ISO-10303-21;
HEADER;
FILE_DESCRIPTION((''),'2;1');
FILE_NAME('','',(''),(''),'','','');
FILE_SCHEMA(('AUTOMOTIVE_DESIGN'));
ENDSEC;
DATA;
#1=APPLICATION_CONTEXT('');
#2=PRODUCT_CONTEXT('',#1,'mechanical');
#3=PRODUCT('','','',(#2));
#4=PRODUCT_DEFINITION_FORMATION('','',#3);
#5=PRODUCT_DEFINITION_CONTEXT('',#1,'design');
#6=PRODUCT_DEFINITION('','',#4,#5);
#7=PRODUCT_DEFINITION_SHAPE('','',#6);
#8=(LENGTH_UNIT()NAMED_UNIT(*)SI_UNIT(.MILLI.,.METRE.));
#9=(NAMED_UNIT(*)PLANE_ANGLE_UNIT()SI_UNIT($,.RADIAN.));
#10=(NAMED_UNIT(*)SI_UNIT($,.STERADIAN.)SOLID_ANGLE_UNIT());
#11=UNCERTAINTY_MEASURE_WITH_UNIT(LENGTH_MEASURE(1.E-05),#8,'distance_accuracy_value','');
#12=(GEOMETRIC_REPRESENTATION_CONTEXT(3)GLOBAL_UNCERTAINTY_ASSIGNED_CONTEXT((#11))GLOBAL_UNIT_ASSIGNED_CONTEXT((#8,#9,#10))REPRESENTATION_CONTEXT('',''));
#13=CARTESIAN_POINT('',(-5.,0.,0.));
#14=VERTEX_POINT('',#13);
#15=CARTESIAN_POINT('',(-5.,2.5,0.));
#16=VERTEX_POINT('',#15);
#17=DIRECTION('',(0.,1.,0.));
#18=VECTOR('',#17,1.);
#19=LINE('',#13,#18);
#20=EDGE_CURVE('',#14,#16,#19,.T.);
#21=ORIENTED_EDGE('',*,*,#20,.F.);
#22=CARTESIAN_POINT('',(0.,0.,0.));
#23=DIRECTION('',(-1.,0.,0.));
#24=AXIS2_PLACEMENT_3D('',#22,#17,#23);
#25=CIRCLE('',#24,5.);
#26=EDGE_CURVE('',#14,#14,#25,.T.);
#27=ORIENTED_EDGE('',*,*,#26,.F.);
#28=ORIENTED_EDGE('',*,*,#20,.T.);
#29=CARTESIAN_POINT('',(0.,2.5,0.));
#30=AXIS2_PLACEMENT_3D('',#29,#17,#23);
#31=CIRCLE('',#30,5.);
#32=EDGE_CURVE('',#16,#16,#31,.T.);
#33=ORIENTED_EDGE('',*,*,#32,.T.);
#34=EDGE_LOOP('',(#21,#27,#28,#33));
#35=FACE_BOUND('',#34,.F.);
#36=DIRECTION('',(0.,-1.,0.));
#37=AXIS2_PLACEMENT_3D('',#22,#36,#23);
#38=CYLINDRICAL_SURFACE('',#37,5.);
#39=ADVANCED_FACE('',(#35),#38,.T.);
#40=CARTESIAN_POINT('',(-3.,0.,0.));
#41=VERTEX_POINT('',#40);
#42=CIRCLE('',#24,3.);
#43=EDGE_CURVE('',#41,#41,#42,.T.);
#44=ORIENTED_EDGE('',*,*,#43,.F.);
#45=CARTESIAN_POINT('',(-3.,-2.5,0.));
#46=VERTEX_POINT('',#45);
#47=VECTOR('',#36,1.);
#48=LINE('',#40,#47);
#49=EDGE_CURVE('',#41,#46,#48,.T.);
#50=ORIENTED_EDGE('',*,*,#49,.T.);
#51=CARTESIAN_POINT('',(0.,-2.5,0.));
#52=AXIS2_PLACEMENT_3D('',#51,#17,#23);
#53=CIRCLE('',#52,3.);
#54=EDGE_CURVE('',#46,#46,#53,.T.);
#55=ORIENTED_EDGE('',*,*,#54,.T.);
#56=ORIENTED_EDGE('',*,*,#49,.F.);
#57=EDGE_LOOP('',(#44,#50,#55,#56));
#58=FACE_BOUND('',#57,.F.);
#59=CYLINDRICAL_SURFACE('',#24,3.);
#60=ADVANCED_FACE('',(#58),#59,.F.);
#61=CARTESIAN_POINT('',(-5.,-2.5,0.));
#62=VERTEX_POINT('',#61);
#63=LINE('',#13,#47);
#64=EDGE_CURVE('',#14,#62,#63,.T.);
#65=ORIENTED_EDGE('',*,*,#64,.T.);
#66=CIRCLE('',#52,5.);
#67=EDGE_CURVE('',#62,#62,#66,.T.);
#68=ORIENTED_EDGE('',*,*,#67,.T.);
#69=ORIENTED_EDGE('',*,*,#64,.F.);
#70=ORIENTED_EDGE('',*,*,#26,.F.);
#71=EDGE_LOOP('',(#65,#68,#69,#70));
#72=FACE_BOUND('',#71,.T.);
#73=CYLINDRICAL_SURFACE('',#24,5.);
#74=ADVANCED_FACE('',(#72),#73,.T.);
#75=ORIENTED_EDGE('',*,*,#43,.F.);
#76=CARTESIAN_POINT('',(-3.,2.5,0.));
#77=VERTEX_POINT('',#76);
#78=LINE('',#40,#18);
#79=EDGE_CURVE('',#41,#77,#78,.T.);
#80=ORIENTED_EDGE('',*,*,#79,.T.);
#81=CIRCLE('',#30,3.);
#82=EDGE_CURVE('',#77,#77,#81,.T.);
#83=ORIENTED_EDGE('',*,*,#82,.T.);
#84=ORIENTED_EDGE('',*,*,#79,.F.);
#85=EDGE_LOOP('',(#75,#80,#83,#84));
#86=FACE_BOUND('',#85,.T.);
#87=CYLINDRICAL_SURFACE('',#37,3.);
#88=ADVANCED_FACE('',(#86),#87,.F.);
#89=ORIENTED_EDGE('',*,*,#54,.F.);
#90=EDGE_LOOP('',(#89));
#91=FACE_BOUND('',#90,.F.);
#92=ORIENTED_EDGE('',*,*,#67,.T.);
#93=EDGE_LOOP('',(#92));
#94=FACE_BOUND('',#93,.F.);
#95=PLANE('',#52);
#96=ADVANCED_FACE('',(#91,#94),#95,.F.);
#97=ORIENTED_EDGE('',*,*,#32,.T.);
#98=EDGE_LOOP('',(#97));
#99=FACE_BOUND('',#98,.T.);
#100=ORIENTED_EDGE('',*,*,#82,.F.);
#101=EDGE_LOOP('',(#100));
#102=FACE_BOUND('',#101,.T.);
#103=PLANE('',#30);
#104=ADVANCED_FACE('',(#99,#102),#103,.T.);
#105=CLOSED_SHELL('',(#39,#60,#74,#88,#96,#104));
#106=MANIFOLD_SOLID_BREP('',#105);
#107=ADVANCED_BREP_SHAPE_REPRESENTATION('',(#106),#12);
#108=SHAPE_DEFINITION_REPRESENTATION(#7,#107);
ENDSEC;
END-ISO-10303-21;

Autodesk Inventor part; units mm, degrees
ref_plane "YZ Plane" through (0, 0, 0) normal (1, 0, 0) x (0, 1, 0)
ref_plane "XZ Plane" through (0, 0, 0) normal (0, 1, 0) x (-1, 0, 0)
ref_plane "XY Plane" through (0, 0, 0) normal (0, 0, 1) x (1, 0, 0)
sketch "Skizze1" plane through (0, 0, 0) normal (0, 1, 0) x (-1, 0, 0)
  circle A0 centre (0, 0) radius 5
  circle A1 centre (0, 0) radius 3
  dimension "d0" = 2
  dimension "d2" = 10
  dimension "d20" = 6
extrude "Extrusion1" add sketch "Skizze1" along normal mid plane 5
properties part number "abstandshalter" material "Aluminium"
